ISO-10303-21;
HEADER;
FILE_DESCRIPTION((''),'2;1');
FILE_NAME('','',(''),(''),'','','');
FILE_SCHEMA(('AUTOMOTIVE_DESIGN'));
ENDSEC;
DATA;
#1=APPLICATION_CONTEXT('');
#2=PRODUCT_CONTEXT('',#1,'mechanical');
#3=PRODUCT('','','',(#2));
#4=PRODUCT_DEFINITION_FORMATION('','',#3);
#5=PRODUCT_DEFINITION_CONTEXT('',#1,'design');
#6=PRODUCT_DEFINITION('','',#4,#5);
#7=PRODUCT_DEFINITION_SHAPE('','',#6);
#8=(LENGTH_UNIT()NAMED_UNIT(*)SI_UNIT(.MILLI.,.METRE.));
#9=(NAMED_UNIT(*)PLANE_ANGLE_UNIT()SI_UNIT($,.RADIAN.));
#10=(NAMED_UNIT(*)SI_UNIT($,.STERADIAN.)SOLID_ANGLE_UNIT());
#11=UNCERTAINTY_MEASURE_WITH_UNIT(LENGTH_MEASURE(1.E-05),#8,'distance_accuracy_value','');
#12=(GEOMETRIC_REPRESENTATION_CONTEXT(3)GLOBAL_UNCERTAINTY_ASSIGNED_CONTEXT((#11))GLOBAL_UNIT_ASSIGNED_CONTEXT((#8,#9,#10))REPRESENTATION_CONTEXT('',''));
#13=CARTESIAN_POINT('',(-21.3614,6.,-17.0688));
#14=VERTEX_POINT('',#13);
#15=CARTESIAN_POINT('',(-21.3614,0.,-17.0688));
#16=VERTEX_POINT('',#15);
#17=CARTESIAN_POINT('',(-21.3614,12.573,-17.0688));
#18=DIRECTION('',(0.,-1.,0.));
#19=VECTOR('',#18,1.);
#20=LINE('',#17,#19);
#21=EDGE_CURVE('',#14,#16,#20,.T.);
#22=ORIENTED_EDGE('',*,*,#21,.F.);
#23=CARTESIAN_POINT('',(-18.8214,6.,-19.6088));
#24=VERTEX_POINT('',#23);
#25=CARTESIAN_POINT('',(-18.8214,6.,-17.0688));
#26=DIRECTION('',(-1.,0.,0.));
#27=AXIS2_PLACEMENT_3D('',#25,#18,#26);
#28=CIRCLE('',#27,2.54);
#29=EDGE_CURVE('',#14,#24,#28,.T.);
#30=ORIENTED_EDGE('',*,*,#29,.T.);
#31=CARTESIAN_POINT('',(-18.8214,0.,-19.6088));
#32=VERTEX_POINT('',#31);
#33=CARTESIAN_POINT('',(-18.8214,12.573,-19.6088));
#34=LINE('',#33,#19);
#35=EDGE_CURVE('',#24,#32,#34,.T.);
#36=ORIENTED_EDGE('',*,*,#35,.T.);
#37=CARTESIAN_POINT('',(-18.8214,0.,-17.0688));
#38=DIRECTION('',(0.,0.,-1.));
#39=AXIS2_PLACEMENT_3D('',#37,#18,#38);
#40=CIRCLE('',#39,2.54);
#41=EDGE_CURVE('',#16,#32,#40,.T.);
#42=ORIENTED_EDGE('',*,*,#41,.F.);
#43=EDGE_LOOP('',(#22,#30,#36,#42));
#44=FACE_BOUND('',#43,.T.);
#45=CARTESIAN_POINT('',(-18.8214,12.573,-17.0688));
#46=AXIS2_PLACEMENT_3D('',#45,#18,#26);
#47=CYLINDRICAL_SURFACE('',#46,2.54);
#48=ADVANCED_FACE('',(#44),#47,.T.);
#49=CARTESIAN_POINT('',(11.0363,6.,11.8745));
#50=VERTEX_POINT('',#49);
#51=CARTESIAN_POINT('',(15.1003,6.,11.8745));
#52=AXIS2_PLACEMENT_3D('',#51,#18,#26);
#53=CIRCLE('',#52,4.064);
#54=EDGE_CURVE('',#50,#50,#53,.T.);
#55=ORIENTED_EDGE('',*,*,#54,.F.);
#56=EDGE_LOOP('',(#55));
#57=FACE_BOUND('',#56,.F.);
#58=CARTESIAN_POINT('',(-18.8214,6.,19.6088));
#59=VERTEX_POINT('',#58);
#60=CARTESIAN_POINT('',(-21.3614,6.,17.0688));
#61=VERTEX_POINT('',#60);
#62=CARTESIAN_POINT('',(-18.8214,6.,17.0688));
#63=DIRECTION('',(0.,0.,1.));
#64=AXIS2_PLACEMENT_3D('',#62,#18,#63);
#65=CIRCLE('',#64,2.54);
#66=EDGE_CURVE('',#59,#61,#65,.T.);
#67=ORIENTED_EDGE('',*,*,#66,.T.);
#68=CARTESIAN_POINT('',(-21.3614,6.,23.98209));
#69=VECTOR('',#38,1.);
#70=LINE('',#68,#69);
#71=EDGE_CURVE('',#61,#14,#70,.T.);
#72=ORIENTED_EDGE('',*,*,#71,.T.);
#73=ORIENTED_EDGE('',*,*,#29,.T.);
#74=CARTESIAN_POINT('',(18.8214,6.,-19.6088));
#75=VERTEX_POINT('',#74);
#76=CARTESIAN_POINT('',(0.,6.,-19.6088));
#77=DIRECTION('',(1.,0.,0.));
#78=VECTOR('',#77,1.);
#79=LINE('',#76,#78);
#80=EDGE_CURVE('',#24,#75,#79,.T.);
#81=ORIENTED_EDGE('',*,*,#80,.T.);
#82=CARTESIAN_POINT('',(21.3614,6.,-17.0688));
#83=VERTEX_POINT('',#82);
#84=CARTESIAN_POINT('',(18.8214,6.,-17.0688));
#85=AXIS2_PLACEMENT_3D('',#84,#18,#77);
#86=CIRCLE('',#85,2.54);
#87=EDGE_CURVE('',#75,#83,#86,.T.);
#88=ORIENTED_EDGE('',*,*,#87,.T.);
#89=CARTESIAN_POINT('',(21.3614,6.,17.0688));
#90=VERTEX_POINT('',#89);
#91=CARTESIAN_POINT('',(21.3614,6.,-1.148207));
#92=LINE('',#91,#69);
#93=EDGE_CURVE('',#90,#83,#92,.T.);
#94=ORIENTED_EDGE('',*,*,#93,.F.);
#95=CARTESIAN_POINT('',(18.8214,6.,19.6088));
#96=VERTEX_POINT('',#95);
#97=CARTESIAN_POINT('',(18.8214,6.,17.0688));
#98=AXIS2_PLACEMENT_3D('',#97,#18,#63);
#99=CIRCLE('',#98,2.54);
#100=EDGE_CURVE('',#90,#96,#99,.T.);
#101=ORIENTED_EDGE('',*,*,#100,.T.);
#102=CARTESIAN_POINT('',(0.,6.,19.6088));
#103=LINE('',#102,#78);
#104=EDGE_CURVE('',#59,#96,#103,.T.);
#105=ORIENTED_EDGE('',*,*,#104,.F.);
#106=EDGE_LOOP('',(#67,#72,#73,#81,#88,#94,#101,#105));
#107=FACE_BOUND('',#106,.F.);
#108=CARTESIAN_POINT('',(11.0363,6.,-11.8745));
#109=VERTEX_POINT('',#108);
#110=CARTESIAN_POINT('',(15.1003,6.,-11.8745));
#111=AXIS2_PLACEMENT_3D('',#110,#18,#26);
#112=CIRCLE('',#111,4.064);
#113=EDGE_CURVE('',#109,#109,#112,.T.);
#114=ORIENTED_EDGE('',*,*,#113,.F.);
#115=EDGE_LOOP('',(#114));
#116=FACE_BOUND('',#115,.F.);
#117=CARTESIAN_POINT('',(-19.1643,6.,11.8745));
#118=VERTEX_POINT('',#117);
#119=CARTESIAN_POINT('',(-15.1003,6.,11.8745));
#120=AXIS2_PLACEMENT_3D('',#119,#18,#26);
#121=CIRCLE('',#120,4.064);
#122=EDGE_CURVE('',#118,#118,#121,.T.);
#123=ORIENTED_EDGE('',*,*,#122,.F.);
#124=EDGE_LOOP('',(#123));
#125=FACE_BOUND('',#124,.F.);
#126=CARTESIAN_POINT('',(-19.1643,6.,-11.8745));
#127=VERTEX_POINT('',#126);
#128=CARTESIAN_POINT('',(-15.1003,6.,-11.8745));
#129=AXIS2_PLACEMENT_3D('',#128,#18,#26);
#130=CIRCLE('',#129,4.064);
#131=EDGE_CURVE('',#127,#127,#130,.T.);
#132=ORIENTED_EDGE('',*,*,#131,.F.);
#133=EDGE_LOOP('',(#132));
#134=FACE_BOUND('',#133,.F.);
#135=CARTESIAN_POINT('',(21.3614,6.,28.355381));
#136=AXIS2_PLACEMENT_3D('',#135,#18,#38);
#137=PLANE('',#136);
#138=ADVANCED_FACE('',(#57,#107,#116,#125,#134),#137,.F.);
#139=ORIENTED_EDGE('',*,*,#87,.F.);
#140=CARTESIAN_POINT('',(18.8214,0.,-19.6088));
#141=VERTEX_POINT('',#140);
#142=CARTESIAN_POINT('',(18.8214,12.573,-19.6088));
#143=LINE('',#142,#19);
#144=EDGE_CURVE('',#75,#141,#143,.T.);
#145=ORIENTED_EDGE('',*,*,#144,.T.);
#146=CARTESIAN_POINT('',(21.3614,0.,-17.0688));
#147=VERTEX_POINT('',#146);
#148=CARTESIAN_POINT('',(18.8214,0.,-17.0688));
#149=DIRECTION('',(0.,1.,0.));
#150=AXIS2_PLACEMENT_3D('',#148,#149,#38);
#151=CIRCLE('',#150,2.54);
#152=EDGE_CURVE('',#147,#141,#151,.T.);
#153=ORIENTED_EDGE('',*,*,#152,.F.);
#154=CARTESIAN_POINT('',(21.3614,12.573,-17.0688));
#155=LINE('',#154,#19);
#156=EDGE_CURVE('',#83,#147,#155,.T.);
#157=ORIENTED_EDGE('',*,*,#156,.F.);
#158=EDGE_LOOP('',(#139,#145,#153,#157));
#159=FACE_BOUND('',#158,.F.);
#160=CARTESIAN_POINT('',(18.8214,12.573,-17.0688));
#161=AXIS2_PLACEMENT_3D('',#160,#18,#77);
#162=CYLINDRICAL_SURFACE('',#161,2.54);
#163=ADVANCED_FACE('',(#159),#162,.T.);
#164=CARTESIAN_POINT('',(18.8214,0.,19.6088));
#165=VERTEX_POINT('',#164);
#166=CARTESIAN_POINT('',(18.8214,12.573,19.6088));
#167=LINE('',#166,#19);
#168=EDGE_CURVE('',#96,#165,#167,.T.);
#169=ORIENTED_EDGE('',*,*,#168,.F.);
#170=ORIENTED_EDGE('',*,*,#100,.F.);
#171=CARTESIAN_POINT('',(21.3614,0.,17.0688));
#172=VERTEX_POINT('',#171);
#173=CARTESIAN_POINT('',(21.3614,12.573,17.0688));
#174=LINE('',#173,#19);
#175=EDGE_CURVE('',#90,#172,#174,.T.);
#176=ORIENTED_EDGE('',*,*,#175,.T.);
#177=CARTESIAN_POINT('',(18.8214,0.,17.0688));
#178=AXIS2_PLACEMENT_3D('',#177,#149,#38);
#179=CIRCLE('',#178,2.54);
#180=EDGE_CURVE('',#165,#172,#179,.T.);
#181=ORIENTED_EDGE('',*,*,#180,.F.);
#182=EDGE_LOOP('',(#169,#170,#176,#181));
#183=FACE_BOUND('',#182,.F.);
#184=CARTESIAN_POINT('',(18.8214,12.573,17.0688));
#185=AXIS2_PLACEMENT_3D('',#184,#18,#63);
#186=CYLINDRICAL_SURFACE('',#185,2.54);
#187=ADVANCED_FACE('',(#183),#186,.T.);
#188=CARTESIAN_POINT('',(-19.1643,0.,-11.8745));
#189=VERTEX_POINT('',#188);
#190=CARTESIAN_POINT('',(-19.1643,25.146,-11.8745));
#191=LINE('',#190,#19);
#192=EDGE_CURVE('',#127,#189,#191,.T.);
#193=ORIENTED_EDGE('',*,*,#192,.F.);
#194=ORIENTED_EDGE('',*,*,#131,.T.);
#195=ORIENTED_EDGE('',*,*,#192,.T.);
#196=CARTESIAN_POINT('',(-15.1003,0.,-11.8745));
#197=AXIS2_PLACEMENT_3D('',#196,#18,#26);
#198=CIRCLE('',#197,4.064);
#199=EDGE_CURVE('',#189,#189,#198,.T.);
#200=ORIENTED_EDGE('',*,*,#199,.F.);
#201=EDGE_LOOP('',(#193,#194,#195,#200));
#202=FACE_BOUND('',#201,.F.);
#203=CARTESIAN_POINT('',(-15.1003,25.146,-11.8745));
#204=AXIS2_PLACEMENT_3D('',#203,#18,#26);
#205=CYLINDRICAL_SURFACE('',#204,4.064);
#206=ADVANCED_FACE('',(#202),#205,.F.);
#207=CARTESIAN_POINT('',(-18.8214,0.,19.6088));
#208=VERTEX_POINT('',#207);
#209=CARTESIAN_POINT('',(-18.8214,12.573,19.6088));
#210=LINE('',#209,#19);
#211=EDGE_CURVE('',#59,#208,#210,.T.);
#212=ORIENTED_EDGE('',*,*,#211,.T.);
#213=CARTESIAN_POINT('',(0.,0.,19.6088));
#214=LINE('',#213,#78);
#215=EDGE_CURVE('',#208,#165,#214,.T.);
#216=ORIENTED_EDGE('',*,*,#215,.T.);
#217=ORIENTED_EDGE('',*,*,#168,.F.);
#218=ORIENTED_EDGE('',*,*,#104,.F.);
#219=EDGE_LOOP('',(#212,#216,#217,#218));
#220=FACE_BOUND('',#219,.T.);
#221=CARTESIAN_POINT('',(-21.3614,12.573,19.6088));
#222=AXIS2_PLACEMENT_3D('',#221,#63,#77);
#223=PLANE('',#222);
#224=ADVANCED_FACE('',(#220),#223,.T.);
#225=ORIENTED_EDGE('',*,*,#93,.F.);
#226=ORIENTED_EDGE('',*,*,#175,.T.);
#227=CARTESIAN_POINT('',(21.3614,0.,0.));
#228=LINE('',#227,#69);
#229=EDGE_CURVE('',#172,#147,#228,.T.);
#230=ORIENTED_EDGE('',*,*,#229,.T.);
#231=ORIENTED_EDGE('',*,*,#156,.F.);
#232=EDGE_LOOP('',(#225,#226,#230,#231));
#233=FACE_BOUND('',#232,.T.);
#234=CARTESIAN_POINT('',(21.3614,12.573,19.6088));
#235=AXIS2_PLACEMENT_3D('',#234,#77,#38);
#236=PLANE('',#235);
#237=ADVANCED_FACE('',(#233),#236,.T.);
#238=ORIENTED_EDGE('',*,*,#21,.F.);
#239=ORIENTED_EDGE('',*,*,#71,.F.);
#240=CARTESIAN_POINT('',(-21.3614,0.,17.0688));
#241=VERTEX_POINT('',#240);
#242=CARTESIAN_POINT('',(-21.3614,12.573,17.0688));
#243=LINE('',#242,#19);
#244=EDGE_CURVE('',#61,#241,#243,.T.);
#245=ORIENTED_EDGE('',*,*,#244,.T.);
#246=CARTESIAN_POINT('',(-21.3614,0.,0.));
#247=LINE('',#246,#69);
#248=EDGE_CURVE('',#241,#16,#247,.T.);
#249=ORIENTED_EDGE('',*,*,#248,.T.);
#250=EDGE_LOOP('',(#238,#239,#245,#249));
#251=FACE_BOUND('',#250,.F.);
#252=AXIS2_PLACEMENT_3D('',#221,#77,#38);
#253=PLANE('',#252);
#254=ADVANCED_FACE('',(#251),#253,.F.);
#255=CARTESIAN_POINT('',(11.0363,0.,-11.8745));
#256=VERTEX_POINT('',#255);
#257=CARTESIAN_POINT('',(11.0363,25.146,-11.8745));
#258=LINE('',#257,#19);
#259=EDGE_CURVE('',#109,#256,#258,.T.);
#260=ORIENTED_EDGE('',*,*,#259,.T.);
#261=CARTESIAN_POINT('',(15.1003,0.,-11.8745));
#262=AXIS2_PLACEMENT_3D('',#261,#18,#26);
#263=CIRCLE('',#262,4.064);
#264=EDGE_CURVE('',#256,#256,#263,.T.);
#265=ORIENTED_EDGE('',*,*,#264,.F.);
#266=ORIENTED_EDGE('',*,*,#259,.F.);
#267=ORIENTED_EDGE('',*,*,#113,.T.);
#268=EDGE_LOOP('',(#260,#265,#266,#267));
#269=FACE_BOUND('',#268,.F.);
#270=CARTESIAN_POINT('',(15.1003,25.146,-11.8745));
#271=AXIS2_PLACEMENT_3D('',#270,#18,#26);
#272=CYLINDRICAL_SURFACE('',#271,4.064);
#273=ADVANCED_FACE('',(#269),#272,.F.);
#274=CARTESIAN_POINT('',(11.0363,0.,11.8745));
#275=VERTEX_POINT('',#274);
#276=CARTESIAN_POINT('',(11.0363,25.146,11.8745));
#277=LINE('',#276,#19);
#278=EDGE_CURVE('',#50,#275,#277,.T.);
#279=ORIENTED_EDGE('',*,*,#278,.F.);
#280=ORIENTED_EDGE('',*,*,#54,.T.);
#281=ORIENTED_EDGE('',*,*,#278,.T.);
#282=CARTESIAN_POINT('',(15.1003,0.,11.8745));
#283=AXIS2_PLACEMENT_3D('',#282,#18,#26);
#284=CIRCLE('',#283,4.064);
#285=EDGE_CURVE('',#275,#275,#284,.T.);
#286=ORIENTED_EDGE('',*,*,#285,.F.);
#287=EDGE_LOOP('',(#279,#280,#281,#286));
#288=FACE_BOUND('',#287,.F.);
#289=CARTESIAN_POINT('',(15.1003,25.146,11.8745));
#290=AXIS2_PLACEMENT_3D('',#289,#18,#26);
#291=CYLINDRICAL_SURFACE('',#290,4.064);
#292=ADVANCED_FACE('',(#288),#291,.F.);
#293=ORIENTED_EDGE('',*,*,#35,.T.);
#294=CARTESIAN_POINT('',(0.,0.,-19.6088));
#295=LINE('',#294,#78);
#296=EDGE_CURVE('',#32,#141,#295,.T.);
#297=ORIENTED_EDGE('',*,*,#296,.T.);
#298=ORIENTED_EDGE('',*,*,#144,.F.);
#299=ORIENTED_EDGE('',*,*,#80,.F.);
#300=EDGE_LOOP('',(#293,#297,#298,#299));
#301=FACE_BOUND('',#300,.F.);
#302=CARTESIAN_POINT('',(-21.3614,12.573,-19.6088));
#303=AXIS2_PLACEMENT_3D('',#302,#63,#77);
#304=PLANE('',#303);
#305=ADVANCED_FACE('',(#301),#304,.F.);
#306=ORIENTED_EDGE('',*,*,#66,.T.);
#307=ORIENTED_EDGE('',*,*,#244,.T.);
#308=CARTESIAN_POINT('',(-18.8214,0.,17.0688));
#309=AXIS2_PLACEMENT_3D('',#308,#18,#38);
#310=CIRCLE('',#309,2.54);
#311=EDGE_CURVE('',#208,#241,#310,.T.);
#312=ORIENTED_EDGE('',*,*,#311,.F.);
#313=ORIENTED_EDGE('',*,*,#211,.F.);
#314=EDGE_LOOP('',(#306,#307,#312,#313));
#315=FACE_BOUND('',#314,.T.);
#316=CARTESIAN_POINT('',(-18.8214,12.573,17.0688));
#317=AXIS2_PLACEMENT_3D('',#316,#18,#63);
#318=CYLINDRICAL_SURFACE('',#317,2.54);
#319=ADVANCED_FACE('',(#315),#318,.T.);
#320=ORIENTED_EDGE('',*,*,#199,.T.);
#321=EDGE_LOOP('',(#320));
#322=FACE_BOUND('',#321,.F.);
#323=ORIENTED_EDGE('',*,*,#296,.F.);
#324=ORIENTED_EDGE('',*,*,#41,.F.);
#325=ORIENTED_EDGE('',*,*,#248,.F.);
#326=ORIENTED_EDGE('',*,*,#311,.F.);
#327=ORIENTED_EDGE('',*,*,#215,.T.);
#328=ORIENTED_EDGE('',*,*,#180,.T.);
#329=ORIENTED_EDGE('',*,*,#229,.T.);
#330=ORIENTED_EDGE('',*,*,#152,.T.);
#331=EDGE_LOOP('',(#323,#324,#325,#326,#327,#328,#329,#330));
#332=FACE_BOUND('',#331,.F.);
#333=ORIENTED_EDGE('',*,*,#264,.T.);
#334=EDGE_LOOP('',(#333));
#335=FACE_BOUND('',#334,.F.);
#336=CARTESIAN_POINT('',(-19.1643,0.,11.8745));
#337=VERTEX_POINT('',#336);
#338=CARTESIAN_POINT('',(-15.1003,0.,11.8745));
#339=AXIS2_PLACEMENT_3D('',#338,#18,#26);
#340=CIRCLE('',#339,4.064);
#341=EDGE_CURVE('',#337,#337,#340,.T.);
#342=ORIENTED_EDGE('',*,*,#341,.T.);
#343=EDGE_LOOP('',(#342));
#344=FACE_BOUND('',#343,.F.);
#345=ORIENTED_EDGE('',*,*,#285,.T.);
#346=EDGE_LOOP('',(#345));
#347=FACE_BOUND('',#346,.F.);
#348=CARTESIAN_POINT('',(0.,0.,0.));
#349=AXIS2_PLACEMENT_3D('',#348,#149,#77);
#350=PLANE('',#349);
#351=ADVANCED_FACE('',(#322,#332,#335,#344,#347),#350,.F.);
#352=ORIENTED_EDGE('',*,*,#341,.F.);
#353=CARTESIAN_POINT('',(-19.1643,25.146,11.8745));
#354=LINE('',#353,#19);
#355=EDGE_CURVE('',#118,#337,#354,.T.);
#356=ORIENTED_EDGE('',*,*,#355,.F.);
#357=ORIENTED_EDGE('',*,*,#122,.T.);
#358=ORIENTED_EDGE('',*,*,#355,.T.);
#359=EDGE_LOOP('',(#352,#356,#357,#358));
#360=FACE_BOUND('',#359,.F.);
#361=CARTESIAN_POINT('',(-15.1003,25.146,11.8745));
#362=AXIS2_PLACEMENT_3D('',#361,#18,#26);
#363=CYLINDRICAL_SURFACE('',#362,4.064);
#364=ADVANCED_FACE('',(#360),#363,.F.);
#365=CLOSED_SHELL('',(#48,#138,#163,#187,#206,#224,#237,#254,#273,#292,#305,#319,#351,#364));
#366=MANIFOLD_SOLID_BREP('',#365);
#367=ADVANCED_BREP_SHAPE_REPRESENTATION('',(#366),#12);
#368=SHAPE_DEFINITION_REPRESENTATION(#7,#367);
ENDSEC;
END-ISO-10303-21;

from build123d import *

# Parameters (mm, degrees)
ESQUISSE1_W             = 42.7228
ESQUISSE1_H             = 39.2176
BOSS_EXTRU_1_DEPTH      = 12.573
ENL_V_MAT_EXTRU_1_DEPTH = 40.2176
PER_AGE1_D              = 8.128
PER_AGE1_DEPTH          = 12.573
CONG_1_R                = 0.254
CONG_2_R                = 2.54
ESQUISSE5_W             = 59.007175712
ESQUISSE5_H             = 21.340180089
ENL_V_MAT_EXTRU_2_DEPTH = 43.7228


with BuildPart() as part:
    # Esquisse1 → Boss.-Extru.1 (new body)
    with BuildSketch(Plane(origin=(0, 12.573, 0), x_dir=(1, 0, 0), z_dir=(0, 1, 0))):
        Rectangle(ESQUISSE1_W, ESQUISSE1_H)
    extrude(amount=-BOSS_EXTRU_1_DEPTH)

    # Esquisse2 → Enlèv. mat.-Extru.1 (cut, through all)
    with BuildSketch(Plane(origin=(0, 0, -19.6088), x_dir=(-1, 0, 0), z_dir=(0, 0, -1))):
        Polygon((-9.525, 12.573), (-6.985, 7.493), (6.985, 7.493), (9.525, 12.573), align=None)
    extrude(amount=-ENL_V_MAT_EXTRU_1_DEPTH, mode=Mode.SUBTRACT)

    # Perçage1
    with Locations(Plane(origin=(0, 12.573, 0), x_dir=(1, 0, 0), z_dir=(0, 1, 0))):
        with Locations((15.1003, -11.8745), (-15.1003, 11.8745), (15.1003, 11.8745), (-15.1003, -11.8745)):
            Hole(PER_AGE1_D / 2, depth=PER_AGE1_DEPTH)

    # Congé1
    cong_1_edges = [part.edges().sort_by_distance(p)[0] for p in [
        (9.525, 12.573, 0),
        (-9.525, 12.573, 0),
        (-6.985, 7.493, 0),
        (6.985, 7.493, 0),
    ]]
    fillet(cong_1_edges, radius=CONG_1_R)

    # Congé2
    cong_2_edges = [part.edges().sort_by_distance(p)[0] for p in [
        (21.3614, 6.2865, -19.6088),
        (21.3614, 6.2865, 19.6088),
        (-21.3614, 6.2865, 19.6088),
        (-21.3614, 6.2865, -19.6088),
    ]]
    fillet(cong_2_edges, radius=CONG_2_R)

    # Esquisse5 → Enlèv. mat.-Extru.2 (cut, through all)
    with BuildSketch(Plane(origin=(21.3614, 0, 0), x_dir=(0, 0, -1), z_dir=(1, 0, 0))):
        with Locations((1.148207214, 16.670090045)):
            Rectangle(ESQUISSE5_W, ESQUISSE5_H)
    extrude(amount=-ENL_V_MAT_EXTRU_2_DEPTH, mode=Mode.SUBTRACT)


solid = part.part
